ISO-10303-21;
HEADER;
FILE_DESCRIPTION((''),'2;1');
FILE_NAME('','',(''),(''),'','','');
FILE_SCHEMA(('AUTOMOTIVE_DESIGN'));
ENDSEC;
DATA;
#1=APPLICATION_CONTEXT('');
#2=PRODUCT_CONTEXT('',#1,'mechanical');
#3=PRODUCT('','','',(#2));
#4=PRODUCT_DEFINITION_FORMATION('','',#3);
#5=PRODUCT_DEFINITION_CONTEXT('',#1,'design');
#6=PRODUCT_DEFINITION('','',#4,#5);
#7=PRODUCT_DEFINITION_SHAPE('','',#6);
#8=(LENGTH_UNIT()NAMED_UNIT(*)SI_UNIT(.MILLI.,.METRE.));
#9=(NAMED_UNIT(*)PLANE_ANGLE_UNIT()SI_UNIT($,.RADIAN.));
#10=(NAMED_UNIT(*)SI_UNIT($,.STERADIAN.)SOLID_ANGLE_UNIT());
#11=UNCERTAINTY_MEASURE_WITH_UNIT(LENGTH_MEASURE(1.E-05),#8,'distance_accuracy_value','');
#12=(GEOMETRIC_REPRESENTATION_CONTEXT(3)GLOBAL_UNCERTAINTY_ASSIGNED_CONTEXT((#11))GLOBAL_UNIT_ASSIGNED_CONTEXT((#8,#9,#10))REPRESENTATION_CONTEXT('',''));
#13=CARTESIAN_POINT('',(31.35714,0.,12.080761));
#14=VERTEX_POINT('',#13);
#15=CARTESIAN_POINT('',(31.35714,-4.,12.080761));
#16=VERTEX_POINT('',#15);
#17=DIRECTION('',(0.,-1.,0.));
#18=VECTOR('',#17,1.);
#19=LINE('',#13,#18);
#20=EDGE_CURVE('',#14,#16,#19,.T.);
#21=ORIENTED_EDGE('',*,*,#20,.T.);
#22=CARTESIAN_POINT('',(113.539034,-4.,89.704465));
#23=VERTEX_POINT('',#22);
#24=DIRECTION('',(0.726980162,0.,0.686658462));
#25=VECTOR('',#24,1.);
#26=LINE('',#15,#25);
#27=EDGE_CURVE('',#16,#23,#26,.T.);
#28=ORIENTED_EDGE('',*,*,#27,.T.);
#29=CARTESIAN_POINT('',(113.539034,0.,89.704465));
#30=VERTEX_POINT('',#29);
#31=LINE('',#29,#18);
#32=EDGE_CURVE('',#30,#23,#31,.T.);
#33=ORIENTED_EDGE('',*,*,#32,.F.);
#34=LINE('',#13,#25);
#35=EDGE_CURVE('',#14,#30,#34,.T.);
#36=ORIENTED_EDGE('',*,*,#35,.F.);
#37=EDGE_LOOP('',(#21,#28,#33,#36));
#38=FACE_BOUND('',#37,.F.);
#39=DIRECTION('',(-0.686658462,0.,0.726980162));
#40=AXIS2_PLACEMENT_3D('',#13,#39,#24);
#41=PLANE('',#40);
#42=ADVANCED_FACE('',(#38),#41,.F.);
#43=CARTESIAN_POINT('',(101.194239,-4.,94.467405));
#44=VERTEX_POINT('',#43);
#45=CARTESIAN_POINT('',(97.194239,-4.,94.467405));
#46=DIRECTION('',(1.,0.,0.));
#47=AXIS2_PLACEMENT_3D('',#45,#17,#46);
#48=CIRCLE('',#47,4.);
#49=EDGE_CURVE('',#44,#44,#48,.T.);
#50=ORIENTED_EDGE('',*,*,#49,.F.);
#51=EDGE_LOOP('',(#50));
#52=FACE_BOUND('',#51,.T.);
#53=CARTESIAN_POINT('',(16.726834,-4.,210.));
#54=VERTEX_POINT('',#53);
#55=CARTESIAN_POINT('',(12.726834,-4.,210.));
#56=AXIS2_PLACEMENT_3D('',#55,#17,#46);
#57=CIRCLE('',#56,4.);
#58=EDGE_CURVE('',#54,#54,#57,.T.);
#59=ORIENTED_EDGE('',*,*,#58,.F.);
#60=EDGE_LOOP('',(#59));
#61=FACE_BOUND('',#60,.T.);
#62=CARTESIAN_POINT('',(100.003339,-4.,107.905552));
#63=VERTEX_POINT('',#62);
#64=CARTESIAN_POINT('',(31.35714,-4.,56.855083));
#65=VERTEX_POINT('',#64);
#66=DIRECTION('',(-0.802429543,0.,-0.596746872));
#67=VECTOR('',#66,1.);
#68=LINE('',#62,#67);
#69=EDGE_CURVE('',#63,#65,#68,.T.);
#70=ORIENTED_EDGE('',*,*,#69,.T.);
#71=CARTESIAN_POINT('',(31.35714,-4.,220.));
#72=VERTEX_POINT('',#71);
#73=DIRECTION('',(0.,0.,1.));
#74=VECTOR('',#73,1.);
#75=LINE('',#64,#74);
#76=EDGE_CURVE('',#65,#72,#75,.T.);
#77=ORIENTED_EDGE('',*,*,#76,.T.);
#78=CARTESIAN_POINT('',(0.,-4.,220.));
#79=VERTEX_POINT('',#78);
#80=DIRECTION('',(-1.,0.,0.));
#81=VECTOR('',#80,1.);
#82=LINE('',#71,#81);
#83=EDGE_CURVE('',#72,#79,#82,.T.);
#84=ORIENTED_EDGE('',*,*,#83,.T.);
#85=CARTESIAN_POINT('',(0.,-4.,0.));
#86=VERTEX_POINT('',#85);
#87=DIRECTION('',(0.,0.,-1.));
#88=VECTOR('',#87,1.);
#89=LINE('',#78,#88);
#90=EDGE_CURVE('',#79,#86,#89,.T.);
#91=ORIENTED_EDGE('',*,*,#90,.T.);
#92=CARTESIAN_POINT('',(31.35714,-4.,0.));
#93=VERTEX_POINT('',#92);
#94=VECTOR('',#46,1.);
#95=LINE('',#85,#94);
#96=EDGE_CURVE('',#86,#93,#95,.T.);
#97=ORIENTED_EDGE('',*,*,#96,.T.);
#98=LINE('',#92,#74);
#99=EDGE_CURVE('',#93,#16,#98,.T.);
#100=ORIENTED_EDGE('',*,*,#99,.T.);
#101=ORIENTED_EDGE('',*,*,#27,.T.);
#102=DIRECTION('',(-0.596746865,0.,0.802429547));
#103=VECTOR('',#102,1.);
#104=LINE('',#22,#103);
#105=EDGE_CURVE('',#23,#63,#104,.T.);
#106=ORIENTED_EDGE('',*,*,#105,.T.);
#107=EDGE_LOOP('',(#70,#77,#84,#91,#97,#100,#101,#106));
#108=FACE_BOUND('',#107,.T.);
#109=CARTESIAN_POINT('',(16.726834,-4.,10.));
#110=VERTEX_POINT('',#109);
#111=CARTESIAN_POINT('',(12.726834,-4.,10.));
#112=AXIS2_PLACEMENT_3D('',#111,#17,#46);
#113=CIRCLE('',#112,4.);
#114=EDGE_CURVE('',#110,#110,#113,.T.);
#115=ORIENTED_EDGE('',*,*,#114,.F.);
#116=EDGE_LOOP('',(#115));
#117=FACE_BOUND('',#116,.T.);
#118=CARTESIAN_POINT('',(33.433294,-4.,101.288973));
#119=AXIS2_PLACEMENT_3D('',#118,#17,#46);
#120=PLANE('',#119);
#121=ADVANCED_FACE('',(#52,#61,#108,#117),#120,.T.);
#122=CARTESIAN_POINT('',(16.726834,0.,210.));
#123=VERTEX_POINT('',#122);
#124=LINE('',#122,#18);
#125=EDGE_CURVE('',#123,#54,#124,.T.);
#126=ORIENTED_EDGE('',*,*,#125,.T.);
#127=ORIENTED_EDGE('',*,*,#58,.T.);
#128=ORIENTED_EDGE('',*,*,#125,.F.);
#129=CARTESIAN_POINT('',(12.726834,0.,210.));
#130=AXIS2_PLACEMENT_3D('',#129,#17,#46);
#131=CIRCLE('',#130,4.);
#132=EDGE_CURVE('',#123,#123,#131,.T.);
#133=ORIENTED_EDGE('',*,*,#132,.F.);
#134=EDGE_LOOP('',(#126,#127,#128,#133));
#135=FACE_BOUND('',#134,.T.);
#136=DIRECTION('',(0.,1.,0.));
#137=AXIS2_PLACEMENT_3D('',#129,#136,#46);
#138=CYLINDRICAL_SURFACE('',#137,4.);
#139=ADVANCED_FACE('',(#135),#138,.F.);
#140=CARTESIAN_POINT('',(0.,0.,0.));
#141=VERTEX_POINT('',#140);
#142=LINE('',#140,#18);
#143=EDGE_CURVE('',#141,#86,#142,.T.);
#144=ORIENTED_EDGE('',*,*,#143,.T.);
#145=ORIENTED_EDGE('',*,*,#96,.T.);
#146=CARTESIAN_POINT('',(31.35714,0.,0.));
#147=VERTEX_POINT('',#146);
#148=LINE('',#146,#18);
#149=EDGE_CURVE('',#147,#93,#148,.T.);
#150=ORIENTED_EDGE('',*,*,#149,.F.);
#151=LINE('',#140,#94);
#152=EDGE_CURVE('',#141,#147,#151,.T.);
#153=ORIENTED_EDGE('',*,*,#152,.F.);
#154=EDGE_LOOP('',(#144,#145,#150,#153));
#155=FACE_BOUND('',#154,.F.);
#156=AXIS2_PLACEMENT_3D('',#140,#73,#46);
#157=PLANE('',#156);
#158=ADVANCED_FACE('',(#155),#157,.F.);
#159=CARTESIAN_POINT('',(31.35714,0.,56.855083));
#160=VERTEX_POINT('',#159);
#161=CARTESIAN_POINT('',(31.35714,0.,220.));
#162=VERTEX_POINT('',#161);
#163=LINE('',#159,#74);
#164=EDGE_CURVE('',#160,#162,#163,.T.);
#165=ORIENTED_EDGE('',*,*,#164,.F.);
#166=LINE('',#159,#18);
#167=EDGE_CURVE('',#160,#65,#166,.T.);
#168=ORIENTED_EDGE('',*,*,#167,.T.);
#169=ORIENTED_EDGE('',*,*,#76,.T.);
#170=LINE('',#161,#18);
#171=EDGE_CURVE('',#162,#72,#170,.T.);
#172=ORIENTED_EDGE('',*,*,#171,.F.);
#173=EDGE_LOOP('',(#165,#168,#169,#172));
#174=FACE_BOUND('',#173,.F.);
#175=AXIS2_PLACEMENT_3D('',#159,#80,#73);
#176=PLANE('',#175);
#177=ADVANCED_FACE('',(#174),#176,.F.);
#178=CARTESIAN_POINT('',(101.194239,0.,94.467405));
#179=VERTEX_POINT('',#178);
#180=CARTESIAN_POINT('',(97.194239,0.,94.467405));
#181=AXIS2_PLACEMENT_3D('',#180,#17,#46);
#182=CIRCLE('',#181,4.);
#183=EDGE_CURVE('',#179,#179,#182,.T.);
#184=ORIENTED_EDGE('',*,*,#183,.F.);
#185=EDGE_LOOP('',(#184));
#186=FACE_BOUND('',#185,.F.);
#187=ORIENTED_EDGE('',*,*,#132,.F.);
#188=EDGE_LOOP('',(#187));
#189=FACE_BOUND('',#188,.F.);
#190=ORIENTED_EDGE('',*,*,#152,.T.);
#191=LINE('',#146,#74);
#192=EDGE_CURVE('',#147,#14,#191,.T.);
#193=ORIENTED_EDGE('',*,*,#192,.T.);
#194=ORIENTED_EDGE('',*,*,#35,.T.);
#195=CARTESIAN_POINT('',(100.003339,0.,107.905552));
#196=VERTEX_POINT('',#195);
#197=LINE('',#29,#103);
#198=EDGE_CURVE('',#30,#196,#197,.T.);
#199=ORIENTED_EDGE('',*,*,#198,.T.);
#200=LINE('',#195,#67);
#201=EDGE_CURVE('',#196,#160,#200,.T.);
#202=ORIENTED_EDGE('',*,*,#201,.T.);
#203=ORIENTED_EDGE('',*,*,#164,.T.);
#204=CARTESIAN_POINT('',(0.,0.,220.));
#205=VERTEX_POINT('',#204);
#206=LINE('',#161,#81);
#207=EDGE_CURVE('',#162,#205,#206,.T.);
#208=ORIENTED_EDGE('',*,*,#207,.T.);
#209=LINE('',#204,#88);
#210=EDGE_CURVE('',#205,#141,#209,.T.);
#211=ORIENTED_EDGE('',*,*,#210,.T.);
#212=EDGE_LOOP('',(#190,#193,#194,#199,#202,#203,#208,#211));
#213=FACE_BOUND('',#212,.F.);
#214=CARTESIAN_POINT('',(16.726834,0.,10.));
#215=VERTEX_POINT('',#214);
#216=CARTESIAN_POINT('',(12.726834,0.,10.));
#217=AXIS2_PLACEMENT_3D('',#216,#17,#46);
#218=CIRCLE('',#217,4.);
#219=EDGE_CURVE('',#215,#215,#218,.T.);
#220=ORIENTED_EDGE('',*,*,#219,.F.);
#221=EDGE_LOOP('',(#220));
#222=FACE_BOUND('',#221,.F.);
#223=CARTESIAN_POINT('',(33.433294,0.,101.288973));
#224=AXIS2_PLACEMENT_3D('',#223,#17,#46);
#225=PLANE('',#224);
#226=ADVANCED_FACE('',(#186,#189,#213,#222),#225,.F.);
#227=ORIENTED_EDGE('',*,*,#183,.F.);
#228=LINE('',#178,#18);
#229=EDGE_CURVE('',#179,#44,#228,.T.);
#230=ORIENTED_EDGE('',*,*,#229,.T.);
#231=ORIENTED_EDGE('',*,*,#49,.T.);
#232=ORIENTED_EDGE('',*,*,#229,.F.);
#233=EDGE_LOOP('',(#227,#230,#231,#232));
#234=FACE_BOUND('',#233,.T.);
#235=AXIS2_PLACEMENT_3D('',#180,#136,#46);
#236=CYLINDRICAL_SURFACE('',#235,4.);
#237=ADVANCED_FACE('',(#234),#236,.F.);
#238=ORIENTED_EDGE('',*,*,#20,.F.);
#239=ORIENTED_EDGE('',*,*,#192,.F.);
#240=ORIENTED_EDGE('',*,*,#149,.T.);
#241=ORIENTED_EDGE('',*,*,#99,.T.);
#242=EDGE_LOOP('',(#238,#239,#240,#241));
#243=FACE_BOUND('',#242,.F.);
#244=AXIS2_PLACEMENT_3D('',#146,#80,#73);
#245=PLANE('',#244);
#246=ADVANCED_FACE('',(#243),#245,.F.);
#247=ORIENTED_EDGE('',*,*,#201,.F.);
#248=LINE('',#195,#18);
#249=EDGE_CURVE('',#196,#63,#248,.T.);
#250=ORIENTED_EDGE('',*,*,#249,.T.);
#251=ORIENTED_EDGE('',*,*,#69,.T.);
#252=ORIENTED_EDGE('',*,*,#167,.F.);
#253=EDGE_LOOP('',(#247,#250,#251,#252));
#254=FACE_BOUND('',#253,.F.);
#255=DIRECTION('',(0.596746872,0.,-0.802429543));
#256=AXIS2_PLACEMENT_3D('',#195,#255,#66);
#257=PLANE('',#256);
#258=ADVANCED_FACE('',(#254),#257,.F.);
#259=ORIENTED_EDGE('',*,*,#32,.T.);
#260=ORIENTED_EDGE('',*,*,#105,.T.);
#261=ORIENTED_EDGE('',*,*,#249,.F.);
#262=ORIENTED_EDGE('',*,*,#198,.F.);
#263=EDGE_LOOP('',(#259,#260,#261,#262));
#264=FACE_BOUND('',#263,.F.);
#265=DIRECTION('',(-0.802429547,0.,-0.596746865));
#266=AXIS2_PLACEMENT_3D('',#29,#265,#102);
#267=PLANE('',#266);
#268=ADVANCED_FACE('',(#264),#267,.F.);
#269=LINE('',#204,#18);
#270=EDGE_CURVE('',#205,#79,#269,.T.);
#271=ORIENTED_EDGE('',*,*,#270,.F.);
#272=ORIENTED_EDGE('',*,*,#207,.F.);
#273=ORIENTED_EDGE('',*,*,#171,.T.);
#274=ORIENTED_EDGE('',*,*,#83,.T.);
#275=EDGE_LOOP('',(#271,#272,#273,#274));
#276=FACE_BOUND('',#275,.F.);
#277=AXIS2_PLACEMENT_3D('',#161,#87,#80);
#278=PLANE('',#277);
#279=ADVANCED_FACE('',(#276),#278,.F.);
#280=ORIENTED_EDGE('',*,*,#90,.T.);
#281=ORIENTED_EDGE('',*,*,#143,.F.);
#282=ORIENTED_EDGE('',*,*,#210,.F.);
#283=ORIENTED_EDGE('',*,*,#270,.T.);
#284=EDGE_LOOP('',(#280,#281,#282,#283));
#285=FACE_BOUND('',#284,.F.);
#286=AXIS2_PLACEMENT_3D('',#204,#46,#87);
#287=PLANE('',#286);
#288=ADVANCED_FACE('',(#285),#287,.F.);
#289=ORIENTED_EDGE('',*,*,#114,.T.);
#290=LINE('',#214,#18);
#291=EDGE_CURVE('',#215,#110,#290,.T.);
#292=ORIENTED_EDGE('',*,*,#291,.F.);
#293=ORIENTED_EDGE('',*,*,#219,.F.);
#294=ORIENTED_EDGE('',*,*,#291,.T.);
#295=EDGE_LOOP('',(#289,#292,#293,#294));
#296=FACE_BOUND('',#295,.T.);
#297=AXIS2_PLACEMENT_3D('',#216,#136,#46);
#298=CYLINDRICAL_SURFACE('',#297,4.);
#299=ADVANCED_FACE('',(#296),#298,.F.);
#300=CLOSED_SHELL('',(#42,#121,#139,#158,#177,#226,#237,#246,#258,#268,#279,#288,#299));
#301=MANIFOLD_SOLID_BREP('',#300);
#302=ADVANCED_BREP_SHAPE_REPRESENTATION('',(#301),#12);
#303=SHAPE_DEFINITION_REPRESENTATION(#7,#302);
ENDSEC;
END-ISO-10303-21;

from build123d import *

# Parameters (mm, degrees)
F0_R     = 4
F1_DEPTH = 4


with BuildPart() as f1:
    # F0 (on Front) → F1 (new body)
    with BuildSketch(Plane.XZ):
        Polygon((0, 220), (0, 0), (31.35714, 0), (31.35714, 12.080761), (113.539034, 89.704465), (100.003339, 107.905552), (31.35714, 56.855083), (31.35714, 220), align=None)
        with Locations((12.726834, 10)):
            Circle(F0_R, mode=Mode.SUBTRACT)
        with Locations((97.194239, 94.467405)):
            Circle(F0_R, mode=Mode.SUBTRACT)
        with Locations((12.726834, 210)):
            Circle(F0_R, mode=Mode.SUBTRACT)
    extrude(amount=F1_DEPTH)


solid = f1.part
